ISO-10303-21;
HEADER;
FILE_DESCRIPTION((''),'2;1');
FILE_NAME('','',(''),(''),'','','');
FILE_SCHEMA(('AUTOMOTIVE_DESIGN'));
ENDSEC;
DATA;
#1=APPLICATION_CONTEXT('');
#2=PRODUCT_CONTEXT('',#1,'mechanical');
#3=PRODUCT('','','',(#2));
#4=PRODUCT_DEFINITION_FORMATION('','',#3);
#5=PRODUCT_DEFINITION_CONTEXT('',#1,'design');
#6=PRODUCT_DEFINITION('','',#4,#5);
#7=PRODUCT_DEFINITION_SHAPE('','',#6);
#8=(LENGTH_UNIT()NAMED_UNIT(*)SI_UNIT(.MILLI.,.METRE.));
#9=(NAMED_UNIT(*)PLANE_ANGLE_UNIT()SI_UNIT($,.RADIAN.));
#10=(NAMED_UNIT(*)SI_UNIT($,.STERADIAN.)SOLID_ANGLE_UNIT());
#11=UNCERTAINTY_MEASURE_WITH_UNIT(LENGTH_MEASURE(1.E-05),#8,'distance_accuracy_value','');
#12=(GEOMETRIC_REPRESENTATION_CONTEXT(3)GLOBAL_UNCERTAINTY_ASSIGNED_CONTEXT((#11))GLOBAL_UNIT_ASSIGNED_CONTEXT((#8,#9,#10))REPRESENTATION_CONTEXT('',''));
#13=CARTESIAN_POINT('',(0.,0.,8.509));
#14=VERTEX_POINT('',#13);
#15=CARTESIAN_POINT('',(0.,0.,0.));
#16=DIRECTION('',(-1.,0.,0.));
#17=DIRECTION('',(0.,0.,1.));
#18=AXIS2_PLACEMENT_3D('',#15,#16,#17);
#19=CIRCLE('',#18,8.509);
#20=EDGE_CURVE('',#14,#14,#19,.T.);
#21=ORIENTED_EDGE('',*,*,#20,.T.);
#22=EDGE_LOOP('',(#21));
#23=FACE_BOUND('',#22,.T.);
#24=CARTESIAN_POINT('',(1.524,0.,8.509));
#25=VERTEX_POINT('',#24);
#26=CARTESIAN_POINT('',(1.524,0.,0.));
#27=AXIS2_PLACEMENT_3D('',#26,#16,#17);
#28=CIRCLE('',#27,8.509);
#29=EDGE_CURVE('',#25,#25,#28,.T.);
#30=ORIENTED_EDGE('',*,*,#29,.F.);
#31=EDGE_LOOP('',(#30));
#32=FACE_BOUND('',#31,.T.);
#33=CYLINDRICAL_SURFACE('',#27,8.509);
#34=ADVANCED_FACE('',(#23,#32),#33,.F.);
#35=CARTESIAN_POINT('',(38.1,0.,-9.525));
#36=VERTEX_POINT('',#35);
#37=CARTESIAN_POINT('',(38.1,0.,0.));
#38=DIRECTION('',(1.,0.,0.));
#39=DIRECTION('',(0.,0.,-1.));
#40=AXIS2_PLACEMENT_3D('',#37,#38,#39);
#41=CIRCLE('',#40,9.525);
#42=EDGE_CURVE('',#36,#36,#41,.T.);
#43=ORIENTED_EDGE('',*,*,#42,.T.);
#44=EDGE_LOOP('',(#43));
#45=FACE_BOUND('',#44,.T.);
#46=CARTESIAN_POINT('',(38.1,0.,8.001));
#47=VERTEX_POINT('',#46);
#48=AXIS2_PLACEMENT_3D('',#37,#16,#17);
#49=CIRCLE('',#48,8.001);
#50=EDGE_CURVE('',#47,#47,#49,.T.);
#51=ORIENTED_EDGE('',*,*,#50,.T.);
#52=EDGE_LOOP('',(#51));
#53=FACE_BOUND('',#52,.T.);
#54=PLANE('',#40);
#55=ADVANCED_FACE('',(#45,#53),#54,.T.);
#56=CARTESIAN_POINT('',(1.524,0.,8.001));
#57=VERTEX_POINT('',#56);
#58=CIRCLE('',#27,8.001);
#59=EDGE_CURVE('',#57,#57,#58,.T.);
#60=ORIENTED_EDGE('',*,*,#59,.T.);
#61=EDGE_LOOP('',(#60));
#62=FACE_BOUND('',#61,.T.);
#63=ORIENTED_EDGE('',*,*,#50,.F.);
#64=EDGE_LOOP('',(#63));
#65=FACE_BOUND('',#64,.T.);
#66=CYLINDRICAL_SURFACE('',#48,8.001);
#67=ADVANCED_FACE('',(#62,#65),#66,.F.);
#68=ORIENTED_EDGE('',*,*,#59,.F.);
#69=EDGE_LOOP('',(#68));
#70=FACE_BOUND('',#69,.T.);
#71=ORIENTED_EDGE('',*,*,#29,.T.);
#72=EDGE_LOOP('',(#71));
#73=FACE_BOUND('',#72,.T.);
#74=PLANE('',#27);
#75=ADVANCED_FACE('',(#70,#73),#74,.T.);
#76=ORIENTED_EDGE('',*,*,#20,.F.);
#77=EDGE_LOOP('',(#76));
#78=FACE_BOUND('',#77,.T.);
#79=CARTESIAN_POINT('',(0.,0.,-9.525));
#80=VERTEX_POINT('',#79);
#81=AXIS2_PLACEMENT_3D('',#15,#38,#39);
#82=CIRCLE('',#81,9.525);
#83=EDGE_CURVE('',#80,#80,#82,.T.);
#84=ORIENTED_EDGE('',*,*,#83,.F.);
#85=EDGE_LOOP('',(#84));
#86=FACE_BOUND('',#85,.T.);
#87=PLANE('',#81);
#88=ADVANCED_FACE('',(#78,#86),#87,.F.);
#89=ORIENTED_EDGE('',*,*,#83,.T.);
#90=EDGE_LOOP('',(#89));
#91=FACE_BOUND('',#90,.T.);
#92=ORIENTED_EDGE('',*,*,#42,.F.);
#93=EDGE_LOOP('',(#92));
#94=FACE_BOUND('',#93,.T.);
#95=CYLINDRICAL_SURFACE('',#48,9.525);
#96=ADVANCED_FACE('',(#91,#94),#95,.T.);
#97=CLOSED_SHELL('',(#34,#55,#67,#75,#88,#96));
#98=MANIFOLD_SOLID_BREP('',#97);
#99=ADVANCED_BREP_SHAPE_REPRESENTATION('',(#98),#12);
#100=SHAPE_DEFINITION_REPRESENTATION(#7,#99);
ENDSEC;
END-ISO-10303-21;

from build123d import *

# Parameters (mm, degrees)
SKETCH1_R           = 9.525
BOSS_EXTRUDE1_DEPTH = 38.1
SKETCH3_R           = 8.509
CUT_EXTRUDE1_DEPTH  = 1.524
SKETCH4_R           = 8.001
CUT_EXTRUDE2_DEPTH  = 37.576


with BuildPart() as part:
    # Sketch1 → Boss-Extrude1 (new body)
    with BuildSketch(Plane(origin=(0, 0, 0), x_dir=(0, 0, -1), z_dir=(1, 0, 0))):
        Circle(SKETCH1_R)
    extrude(amount=BOSS_EXTRUDE1_DEPTH)

    # Sketch3 → Cut-Extrude1 (cut)
    with BuildSketch(Plane.ZY):
        Circle(SKETCH3_R)
    extrude(amount=-CUT_EXTRUDE1_DEPTH, mode=Mode.SUBTRACT)

    # Sketch4 → Cut-Extrude2 (cut, through all)
    with BuildSketch(Plane.ZY.offset(-1.524)):
        Circle(SKETCH4_R)
    extrude(amount=-CUT_EXTRUDE2_DEPTH, mode=Mode.SUBTRACT)


solid = part.part
